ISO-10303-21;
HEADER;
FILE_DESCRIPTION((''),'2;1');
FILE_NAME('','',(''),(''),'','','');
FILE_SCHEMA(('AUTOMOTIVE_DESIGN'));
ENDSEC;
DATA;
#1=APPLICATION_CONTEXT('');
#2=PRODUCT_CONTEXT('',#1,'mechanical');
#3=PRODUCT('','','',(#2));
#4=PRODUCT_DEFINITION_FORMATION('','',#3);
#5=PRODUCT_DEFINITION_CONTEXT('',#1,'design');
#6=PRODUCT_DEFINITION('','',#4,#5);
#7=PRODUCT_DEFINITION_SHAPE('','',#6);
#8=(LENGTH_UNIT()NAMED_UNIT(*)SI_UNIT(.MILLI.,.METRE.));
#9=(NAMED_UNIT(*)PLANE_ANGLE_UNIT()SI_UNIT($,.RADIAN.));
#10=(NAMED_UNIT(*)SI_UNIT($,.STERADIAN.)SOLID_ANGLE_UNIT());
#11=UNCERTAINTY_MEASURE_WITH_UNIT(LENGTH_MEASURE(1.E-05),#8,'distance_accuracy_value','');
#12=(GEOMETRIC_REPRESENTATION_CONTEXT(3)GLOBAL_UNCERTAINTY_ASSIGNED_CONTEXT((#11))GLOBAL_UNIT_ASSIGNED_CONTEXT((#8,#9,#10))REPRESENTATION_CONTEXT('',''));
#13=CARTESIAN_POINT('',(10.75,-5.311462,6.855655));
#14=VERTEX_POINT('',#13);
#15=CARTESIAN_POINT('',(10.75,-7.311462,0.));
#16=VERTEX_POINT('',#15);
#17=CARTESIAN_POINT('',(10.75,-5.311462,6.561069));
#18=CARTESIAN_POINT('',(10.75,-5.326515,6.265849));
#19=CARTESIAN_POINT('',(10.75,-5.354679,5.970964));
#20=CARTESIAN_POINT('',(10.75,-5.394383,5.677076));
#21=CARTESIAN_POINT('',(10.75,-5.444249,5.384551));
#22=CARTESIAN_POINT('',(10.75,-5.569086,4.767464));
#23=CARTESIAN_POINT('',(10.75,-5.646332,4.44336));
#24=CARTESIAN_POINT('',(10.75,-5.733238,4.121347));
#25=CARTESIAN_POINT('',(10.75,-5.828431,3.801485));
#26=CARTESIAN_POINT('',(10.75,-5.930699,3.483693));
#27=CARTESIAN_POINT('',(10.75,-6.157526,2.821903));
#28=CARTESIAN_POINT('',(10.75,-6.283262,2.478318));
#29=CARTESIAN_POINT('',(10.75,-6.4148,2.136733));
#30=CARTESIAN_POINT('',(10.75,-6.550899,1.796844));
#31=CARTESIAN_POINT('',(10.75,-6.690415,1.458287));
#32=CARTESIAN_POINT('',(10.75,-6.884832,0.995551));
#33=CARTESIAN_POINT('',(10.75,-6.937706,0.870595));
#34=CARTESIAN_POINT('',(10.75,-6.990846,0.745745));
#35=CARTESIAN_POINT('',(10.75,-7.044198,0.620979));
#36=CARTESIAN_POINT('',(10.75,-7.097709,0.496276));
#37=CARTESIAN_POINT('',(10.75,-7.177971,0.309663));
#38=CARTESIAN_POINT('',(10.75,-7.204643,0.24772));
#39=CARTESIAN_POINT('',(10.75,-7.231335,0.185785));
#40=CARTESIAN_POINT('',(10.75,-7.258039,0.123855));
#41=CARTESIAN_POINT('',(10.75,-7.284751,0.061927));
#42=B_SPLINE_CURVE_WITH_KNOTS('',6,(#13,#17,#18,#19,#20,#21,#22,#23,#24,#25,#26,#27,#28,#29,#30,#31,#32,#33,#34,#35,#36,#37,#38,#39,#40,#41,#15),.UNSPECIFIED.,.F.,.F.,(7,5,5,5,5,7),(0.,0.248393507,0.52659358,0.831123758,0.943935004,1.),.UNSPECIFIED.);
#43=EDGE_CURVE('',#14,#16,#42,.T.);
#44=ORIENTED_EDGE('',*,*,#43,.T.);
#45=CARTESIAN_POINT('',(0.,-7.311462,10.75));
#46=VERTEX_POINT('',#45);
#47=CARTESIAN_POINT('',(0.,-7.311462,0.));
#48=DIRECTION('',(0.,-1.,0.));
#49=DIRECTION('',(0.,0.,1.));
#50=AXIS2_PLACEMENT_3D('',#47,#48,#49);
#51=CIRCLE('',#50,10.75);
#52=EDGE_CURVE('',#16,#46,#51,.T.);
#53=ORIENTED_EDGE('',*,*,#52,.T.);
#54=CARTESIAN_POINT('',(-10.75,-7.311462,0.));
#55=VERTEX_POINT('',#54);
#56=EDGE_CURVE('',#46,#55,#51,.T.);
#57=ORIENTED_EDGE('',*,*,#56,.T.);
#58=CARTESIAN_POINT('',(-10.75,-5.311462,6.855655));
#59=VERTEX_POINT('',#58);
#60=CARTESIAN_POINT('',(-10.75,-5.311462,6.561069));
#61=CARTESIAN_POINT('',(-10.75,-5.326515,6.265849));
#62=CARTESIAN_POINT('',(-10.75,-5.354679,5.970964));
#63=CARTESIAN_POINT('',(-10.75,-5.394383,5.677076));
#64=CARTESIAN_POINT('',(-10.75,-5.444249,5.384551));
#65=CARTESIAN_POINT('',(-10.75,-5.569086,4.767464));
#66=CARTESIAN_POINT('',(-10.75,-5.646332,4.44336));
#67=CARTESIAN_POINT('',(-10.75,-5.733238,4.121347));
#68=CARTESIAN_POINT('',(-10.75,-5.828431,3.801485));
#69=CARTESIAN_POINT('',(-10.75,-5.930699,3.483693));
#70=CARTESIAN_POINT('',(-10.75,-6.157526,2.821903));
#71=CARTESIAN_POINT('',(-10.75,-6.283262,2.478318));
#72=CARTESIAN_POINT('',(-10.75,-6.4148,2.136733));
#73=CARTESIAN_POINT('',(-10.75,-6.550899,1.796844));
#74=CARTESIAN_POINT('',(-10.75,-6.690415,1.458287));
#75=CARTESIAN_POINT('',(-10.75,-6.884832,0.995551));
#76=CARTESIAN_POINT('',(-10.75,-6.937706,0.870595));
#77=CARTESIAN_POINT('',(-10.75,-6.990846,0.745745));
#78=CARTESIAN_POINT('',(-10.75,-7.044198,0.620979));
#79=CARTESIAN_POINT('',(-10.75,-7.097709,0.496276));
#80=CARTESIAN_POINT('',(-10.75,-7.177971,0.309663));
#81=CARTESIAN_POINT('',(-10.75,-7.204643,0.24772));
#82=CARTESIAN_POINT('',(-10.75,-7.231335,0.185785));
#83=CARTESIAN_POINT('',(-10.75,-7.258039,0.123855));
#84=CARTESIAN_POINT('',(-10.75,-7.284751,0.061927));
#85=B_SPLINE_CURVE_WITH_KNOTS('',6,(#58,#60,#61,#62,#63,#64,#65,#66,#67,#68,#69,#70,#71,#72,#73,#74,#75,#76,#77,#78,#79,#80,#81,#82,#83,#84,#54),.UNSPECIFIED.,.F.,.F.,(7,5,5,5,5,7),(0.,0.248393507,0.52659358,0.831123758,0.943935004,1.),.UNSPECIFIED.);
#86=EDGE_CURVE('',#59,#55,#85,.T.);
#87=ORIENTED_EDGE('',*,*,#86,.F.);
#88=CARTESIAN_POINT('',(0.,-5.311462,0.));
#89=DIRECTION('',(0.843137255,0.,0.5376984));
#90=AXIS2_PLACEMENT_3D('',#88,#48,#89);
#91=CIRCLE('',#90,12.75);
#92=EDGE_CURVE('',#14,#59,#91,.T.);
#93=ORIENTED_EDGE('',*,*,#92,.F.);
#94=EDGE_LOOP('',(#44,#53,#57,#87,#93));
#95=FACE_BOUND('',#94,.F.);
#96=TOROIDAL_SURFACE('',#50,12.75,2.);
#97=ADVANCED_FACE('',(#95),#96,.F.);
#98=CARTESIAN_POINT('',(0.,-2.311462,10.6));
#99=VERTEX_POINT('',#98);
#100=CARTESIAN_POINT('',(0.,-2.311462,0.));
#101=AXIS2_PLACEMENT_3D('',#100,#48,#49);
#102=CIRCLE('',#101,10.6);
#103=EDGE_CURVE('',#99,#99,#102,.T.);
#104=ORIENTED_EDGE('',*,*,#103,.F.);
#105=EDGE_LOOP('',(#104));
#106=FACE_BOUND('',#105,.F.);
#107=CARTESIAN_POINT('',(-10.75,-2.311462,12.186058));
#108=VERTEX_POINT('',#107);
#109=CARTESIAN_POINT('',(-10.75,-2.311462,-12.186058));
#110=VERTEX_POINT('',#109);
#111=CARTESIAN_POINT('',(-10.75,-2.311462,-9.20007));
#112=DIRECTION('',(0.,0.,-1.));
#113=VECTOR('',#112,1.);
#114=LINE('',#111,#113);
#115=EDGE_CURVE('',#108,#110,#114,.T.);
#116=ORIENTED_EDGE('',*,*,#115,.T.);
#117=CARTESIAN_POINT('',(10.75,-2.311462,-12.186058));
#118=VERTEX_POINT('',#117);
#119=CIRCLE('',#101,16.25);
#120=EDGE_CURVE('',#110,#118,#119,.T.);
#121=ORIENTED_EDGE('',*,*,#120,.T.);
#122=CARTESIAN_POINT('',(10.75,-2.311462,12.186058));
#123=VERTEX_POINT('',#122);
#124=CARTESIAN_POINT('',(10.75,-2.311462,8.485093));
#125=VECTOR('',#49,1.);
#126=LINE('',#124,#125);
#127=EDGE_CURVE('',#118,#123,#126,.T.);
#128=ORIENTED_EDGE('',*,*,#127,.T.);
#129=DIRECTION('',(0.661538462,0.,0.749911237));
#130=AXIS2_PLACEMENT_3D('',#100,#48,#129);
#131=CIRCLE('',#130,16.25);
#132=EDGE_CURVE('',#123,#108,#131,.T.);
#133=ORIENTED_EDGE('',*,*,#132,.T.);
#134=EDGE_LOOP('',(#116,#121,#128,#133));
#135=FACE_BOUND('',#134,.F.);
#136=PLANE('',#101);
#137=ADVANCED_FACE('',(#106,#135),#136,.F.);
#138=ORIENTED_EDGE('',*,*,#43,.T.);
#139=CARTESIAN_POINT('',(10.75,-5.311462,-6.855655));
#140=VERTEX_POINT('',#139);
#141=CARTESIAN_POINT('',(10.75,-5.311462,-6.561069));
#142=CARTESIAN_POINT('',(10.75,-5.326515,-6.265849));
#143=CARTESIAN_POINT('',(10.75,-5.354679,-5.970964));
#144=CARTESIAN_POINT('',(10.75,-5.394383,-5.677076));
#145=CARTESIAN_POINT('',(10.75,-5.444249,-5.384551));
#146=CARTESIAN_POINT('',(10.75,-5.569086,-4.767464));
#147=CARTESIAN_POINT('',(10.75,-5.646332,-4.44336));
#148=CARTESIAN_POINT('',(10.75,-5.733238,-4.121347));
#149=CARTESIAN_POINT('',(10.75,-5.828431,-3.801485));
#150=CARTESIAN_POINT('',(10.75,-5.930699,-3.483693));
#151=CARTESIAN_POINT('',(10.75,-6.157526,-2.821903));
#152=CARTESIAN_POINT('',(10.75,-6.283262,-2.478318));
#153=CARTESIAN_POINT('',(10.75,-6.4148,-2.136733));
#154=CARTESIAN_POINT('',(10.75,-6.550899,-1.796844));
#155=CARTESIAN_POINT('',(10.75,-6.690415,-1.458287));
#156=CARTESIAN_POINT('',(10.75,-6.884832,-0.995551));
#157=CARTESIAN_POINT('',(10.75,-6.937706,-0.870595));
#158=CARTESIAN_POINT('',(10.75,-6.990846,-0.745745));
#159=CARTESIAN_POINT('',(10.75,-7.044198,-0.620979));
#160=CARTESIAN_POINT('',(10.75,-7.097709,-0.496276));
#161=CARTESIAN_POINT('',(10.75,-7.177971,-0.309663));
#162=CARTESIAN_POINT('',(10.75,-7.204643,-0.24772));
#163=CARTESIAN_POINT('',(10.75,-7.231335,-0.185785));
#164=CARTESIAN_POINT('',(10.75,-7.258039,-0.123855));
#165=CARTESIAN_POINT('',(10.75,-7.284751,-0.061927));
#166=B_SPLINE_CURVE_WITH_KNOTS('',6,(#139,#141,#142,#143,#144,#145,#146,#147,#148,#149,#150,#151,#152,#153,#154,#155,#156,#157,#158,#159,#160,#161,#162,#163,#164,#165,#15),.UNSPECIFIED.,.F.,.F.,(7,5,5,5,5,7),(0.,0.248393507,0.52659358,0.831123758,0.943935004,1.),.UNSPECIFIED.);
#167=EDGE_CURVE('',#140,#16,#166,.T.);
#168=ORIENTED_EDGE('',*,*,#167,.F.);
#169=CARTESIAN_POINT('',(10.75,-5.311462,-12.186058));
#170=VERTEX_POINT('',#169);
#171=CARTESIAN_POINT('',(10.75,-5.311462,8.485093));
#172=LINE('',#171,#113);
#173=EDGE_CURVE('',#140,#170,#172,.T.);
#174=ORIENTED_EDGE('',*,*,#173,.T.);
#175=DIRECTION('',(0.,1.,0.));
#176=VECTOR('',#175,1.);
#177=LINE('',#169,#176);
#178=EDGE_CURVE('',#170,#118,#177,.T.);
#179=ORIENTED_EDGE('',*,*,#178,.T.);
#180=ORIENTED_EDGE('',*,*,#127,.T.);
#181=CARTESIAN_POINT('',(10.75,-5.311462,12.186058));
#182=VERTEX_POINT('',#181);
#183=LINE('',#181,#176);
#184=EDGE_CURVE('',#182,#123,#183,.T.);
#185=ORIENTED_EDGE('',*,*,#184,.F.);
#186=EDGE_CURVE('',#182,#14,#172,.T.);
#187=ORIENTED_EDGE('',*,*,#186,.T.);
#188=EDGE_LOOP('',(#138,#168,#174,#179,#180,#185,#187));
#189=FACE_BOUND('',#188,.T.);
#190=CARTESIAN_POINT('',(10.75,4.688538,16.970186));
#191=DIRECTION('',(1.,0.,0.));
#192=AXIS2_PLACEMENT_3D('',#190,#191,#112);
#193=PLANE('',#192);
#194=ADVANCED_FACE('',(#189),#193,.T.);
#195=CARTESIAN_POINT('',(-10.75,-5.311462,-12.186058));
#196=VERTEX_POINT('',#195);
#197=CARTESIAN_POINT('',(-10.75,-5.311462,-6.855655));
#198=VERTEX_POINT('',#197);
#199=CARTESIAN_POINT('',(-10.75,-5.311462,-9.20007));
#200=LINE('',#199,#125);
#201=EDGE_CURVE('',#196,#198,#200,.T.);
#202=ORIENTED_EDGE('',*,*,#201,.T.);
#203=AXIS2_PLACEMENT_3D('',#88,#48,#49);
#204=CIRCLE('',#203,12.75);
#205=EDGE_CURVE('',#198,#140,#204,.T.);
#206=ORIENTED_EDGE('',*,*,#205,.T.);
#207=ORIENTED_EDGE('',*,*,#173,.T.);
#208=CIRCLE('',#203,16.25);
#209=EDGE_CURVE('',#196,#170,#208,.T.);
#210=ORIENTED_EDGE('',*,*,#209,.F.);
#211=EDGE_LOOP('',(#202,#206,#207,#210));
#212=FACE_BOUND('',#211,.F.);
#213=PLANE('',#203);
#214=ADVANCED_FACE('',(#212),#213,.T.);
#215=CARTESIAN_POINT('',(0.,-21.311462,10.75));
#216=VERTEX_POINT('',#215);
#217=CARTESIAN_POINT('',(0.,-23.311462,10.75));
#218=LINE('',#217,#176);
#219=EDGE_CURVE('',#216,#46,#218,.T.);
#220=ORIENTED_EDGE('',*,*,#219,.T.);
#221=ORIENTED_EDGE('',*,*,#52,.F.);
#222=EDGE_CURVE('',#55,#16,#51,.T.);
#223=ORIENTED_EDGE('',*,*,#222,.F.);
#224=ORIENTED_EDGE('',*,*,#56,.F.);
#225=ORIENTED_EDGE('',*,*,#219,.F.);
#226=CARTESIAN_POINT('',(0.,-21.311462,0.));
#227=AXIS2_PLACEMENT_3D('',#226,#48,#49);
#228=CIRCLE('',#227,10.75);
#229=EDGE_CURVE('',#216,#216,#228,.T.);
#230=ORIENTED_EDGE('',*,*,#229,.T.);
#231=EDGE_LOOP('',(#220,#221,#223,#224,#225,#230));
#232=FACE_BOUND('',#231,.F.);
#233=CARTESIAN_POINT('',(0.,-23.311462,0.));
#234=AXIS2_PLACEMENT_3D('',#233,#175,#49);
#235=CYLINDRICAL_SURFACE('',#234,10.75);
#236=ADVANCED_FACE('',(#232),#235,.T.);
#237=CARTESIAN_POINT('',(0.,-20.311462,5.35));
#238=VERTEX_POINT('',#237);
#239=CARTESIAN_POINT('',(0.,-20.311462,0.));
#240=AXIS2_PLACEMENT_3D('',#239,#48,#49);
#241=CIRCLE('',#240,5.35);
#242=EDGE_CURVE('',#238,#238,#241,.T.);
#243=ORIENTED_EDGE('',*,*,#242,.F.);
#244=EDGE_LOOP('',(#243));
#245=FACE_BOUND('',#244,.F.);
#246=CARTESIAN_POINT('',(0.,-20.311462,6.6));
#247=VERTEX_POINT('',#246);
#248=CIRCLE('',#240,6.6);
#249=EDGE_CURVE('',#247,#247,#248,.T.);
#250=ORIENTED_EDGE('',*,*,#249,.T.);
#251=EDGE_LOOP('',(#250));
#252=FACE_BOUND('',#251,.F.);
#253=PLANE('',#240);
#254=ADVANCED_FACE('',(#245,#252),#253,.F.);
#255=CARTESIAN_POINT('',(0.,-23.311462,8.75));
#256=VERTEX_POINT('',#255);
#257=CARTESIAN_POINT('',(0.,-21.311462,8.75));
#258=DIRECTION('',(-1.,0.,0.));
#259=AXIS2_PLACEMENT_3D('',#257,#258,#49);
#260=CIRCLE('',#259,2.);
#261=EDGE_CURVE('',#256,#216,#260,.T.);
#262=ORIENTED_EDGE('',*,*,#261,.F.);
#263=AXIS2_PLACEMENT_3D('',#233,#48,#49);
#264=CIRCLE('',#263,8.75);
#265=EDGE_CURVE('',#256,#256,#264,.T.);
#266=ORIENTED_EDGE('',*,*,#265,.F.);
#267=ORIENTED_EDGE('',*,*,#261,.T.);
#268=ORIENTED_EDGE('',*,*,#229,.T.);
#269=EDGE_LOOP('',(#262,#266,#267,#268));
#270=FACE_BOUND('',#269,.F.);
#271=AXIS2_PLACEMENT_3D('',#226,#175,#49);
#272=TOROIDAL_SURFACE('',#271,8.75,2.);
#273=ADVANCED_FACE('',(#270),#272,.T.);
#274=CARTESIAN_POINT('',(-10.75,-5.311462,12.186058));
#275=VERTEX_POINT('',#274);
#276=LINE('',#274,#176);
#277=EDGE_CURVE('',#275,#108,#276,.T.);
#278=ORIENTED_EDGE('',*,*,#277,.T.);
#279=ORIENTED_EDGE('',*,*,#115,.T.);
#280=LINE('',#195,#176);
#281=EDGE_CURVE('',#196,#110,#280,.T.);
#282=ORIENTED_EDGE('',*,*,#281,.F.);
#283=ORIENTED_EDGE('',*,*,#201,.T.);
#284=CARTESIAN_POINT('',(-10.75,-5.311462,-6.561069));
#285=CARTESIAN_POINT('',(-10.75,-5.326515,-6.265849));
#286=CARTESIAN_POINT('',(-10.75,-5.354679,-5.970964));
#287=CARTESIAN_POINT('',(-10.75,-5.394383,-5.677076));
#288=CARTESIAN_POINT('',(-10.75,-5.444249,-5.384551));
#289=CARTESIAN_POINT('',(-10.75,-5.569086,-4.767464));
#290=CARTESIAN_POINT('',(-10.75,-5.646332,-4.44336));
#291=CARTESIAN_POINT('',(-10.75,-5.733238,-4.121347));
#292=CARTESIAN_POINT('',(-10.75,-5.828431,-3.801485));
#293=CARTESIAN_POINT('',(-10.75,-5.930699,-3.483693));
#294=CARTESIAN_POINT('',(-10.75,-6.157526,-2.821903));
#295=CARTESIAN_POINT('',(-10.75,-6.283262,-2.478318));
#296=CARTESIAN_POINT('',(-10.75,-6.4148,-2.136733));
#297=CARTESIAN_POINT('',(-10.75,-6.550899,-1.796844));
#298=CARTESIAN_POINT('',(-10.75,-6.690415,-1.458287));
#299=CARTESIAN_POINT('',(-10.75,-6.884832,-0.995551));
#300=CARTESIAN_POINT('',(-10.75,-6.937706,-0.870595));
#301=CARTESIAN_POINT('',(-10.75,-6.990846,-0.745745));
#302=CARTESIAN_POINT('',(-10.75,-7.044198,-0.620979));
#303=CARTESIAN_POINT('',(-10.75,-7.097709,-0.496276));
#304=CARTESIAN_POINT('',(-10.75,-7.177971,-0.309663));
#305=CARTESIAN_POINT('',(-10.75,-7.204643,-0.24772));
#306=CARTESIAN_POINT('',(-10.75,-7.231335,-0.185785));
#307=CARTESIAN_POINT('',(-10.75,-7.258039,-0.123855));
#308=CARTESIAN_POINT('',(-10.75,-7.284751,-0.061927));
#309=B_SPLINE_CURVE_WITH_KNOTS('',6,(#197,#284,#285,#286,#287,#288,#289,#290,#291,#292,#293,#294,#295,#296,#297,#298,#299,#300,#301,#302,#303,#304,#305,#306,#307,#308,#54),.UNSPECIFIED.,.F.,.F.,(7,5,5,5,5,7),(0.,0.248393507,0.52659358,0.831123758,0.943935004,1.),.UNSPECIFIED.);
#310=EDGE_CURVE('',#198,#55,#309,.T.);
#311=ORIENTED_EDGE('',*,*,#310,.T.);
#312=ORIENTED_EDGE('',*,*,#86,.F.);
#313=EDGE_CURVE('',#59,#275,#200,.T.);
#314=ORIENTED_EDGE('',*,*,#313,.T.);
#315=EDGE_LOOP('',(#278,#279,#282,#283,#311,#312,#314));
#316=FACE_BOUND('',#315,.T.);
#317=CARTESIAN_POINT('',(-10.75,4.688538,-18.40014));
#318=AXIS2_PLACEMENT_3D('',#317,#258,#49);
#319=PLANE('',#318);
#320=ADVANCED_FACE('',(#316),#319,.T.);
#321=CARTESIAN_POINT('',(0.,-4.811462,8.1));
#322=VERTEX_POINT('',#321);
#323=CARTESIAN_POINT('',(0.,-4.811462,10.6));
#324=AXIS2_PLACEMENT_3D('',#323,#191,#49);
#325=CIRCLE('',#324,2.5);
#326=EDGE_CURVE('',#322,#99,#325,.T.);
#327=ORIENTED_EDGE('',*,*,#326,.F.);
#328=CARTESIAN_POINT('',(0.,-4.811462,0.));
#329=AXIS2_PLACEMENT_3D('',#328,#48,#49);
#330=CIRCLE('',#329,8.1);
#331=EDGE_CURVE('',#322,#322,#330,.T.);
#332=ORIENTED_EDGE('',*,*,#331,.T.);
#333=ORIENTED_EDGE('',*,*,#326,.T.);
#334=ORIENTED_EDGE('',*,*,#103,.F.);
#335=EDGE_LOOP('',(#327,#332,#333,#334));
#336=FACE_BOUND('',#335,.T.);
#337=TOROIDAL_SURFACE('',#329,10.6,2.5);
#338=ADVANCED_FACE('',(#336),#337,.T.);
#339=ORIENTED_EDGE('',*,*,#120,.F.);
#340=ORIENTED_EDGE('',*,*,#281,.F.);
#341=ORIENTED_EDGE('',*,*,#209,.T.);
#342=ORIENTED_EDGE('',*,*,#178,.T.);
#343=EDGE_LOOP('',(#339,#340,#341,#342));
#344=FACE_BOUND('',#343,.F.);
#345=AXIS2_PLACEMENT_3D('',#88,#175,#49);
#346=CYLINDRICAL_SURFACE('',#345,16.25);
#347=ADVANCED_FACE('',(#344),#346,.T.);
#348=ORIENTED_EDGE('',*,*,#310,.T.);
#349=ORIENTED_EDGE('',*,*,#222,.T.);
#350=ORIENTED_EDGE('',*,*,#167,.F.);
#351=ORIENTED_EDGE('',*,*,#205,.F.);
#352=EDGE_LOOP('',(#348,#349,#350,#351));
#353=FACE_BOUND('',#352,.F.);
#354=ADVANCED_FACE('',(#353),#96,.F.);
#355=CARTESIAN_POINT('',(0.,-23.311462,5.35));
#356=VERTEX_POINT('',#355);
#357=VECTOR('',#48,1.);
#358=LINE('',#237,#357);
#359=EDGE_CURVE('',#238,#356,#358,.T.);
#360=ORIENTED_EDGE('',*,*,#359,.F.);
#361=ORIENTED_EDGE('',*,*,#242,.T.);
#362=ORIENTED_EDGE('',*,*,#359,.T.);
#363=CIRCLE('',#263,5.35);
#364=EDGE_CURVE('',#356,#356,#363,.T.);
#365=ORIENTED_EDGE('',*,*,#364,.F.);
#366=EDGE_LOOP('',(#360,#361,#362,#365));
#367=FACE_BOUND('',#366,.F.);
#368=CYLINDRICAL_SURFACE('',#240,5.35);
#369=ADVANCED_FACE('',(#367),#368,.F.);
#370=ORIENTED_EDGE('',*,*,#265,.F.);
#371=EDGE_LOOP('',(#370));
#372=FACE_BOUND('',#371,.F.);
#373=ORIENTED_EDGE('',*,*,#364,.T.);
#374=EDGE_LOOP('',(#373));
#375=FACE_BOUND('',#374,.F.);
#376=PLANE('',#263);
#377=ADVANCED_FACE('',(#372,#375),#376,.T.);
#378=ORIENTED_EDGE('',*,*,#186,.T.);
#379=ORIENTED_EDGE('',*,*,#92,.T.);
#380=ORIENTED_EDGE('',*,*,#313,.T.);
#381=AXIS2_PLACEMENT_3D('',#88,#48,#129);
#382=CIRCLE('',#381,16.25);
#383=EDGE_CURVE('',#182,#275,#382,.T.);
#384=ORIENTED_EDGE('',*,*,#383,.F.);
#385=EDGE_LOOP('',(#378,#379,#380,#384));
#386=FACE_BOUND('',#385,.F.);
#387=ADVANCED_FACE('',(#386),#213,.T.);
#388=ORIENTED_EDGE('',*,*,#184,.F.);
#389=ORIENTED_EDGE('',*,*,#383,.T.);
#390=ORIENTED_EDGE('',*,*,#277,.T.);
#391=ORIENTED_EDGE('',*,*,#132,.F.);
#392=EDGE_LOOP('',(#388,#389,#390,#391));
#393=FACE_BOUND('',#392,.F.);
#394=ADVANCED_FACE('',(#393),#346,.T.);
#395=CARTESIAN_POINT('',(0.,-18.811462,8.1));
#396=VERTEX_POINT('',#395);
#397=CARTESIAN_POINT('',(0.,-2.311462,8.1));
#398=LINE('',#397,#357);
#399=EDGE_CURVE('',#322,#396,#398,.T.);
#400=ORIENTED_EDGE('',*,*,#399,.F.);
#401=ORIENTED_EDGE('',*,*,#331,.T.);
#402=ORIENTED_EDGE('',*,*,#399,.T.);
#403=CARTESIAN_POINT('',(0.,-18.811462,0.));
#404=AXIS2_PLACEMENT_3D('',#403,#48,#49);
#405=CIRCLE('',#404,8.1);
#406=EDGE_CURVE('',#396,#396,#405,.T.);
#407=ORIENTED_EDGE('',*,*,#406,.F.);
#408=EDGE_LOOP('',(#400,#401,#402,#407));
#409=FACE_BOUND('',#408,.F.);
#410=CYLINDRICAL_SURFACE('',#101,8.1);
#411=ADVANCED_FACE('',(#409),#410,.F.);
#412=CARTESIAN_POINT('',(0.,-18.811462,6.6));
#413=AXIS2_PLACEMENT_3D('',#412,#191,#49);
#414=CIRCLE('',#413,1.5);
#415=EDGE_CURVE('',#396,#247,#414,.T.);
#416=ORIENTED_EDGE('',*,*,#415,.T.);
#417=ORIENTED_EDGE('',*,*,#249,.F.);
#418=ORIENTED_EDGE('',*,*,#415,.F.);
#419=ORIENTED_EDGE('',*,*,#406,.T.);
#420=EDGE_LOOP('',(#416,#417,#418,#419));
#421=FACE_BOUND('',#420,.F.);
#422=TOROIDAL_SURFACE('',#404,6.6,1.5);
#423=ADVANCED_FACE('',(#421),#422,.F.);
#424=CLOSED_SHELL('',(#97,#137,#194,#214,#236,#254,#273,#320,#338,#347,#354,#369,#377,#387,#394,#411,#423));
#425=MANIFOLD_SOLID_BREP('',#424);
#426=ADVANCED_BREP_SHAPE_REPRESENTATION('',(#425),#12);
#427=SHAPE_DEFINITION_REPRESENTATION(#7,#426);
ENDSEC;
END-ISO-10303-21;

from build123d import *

# Parameters (mm, degrees)
FILETE1_R                  = 2.5
FILETE2_R                  = 1.5
FILETE3_R                  = 2
FILETE4_R                  = 2
CORTE_EXTRUS_O2_DEPTH      = 10
CORTE_EXTRUS_O2_DEPTH_BACK = 10
ESBO_O3_OUTSIDE_W          = 44.606
ESBO_O3_OUTSIDE_H          = 44.606


with BuildPart() as part:
    # Esboço1 → Revolução1 (revolve)
    with BuildSketch(Plane.XY, mode=Mode.PRIVATE) as revolu_o1_sk:
        Polygon((8.1, -2.311461794), (8.1, -20.311461794), (5.35, -20.311461794), (5.35, -23.311461794), (10.75, -23.311461794), (10.75, -5.311461794), (16.25, -5.311461794), (16.25, -2.311461794), align=None)
    revolve(revolu_o1_sk.sketch.rotate(Axis((0, 66.826190476, 0), (0, -1, 0)), 90), axis=Axis((0, 66.826190476, 0), (0, -1, 0)))

    # Filete1
    filete1_edges = [part.edges().sort_by_distance(p)[0] for p in [
        (0, -2.311461794, -8.1),
    ]]
    fillet(filete1_edges, radius=FILETE1_R)

    # Filete2
    filete2_edges = [part.edges().sort_by_distance(p)[0] for p in [
        (0, -20.311461794, -8.1),
    ]]
    fillet(filete2_edges, radius=FILETE2_R)

    # Filete3
    filete3_edges = [part.edges().sort_by_distance(p)[0] for p in [
        (0, -23.311461794, -10.75),
    ]]
    fillet(filete3_edges, radius=FILETE3_R)

    # Filete4
    filete4_edges = [part.edges().sort_by_distance(p)[0] for p in [
        (0, -5.311461794, -10.75),
    ]]
    fillet(filete4_edges, radius=FILETE4_R)

    # Esboço3 outside → Corte-extrusão2 (cut, two sides: drawn at the far end of the back side and taken through both)
    with BuildSketch(Plane.XZ.offset(5.311461794).offset(-CORTE_EXTRUS_O2_DEPTH_BACK)):
        Rectangle(ESBO_O3_OUTSIDE_W, ESBO_O3_OUTSIDE_H)
        Polygon((-10.75, 0), (-10.75, -18.400139995), (10.75, -18.400139995), (10.75, 0), (10.75, 16.970186259), (-10.75, 16.970186259), align=None, mode=Mode.SUBTRACT)
    extrude(amount=CORTE_EXTRUS_O2_DEPTH + CORTE_EXTRUS_O2_DEPTH_BACK, mode=Mode.SUBTRACT)


solid = part.part
